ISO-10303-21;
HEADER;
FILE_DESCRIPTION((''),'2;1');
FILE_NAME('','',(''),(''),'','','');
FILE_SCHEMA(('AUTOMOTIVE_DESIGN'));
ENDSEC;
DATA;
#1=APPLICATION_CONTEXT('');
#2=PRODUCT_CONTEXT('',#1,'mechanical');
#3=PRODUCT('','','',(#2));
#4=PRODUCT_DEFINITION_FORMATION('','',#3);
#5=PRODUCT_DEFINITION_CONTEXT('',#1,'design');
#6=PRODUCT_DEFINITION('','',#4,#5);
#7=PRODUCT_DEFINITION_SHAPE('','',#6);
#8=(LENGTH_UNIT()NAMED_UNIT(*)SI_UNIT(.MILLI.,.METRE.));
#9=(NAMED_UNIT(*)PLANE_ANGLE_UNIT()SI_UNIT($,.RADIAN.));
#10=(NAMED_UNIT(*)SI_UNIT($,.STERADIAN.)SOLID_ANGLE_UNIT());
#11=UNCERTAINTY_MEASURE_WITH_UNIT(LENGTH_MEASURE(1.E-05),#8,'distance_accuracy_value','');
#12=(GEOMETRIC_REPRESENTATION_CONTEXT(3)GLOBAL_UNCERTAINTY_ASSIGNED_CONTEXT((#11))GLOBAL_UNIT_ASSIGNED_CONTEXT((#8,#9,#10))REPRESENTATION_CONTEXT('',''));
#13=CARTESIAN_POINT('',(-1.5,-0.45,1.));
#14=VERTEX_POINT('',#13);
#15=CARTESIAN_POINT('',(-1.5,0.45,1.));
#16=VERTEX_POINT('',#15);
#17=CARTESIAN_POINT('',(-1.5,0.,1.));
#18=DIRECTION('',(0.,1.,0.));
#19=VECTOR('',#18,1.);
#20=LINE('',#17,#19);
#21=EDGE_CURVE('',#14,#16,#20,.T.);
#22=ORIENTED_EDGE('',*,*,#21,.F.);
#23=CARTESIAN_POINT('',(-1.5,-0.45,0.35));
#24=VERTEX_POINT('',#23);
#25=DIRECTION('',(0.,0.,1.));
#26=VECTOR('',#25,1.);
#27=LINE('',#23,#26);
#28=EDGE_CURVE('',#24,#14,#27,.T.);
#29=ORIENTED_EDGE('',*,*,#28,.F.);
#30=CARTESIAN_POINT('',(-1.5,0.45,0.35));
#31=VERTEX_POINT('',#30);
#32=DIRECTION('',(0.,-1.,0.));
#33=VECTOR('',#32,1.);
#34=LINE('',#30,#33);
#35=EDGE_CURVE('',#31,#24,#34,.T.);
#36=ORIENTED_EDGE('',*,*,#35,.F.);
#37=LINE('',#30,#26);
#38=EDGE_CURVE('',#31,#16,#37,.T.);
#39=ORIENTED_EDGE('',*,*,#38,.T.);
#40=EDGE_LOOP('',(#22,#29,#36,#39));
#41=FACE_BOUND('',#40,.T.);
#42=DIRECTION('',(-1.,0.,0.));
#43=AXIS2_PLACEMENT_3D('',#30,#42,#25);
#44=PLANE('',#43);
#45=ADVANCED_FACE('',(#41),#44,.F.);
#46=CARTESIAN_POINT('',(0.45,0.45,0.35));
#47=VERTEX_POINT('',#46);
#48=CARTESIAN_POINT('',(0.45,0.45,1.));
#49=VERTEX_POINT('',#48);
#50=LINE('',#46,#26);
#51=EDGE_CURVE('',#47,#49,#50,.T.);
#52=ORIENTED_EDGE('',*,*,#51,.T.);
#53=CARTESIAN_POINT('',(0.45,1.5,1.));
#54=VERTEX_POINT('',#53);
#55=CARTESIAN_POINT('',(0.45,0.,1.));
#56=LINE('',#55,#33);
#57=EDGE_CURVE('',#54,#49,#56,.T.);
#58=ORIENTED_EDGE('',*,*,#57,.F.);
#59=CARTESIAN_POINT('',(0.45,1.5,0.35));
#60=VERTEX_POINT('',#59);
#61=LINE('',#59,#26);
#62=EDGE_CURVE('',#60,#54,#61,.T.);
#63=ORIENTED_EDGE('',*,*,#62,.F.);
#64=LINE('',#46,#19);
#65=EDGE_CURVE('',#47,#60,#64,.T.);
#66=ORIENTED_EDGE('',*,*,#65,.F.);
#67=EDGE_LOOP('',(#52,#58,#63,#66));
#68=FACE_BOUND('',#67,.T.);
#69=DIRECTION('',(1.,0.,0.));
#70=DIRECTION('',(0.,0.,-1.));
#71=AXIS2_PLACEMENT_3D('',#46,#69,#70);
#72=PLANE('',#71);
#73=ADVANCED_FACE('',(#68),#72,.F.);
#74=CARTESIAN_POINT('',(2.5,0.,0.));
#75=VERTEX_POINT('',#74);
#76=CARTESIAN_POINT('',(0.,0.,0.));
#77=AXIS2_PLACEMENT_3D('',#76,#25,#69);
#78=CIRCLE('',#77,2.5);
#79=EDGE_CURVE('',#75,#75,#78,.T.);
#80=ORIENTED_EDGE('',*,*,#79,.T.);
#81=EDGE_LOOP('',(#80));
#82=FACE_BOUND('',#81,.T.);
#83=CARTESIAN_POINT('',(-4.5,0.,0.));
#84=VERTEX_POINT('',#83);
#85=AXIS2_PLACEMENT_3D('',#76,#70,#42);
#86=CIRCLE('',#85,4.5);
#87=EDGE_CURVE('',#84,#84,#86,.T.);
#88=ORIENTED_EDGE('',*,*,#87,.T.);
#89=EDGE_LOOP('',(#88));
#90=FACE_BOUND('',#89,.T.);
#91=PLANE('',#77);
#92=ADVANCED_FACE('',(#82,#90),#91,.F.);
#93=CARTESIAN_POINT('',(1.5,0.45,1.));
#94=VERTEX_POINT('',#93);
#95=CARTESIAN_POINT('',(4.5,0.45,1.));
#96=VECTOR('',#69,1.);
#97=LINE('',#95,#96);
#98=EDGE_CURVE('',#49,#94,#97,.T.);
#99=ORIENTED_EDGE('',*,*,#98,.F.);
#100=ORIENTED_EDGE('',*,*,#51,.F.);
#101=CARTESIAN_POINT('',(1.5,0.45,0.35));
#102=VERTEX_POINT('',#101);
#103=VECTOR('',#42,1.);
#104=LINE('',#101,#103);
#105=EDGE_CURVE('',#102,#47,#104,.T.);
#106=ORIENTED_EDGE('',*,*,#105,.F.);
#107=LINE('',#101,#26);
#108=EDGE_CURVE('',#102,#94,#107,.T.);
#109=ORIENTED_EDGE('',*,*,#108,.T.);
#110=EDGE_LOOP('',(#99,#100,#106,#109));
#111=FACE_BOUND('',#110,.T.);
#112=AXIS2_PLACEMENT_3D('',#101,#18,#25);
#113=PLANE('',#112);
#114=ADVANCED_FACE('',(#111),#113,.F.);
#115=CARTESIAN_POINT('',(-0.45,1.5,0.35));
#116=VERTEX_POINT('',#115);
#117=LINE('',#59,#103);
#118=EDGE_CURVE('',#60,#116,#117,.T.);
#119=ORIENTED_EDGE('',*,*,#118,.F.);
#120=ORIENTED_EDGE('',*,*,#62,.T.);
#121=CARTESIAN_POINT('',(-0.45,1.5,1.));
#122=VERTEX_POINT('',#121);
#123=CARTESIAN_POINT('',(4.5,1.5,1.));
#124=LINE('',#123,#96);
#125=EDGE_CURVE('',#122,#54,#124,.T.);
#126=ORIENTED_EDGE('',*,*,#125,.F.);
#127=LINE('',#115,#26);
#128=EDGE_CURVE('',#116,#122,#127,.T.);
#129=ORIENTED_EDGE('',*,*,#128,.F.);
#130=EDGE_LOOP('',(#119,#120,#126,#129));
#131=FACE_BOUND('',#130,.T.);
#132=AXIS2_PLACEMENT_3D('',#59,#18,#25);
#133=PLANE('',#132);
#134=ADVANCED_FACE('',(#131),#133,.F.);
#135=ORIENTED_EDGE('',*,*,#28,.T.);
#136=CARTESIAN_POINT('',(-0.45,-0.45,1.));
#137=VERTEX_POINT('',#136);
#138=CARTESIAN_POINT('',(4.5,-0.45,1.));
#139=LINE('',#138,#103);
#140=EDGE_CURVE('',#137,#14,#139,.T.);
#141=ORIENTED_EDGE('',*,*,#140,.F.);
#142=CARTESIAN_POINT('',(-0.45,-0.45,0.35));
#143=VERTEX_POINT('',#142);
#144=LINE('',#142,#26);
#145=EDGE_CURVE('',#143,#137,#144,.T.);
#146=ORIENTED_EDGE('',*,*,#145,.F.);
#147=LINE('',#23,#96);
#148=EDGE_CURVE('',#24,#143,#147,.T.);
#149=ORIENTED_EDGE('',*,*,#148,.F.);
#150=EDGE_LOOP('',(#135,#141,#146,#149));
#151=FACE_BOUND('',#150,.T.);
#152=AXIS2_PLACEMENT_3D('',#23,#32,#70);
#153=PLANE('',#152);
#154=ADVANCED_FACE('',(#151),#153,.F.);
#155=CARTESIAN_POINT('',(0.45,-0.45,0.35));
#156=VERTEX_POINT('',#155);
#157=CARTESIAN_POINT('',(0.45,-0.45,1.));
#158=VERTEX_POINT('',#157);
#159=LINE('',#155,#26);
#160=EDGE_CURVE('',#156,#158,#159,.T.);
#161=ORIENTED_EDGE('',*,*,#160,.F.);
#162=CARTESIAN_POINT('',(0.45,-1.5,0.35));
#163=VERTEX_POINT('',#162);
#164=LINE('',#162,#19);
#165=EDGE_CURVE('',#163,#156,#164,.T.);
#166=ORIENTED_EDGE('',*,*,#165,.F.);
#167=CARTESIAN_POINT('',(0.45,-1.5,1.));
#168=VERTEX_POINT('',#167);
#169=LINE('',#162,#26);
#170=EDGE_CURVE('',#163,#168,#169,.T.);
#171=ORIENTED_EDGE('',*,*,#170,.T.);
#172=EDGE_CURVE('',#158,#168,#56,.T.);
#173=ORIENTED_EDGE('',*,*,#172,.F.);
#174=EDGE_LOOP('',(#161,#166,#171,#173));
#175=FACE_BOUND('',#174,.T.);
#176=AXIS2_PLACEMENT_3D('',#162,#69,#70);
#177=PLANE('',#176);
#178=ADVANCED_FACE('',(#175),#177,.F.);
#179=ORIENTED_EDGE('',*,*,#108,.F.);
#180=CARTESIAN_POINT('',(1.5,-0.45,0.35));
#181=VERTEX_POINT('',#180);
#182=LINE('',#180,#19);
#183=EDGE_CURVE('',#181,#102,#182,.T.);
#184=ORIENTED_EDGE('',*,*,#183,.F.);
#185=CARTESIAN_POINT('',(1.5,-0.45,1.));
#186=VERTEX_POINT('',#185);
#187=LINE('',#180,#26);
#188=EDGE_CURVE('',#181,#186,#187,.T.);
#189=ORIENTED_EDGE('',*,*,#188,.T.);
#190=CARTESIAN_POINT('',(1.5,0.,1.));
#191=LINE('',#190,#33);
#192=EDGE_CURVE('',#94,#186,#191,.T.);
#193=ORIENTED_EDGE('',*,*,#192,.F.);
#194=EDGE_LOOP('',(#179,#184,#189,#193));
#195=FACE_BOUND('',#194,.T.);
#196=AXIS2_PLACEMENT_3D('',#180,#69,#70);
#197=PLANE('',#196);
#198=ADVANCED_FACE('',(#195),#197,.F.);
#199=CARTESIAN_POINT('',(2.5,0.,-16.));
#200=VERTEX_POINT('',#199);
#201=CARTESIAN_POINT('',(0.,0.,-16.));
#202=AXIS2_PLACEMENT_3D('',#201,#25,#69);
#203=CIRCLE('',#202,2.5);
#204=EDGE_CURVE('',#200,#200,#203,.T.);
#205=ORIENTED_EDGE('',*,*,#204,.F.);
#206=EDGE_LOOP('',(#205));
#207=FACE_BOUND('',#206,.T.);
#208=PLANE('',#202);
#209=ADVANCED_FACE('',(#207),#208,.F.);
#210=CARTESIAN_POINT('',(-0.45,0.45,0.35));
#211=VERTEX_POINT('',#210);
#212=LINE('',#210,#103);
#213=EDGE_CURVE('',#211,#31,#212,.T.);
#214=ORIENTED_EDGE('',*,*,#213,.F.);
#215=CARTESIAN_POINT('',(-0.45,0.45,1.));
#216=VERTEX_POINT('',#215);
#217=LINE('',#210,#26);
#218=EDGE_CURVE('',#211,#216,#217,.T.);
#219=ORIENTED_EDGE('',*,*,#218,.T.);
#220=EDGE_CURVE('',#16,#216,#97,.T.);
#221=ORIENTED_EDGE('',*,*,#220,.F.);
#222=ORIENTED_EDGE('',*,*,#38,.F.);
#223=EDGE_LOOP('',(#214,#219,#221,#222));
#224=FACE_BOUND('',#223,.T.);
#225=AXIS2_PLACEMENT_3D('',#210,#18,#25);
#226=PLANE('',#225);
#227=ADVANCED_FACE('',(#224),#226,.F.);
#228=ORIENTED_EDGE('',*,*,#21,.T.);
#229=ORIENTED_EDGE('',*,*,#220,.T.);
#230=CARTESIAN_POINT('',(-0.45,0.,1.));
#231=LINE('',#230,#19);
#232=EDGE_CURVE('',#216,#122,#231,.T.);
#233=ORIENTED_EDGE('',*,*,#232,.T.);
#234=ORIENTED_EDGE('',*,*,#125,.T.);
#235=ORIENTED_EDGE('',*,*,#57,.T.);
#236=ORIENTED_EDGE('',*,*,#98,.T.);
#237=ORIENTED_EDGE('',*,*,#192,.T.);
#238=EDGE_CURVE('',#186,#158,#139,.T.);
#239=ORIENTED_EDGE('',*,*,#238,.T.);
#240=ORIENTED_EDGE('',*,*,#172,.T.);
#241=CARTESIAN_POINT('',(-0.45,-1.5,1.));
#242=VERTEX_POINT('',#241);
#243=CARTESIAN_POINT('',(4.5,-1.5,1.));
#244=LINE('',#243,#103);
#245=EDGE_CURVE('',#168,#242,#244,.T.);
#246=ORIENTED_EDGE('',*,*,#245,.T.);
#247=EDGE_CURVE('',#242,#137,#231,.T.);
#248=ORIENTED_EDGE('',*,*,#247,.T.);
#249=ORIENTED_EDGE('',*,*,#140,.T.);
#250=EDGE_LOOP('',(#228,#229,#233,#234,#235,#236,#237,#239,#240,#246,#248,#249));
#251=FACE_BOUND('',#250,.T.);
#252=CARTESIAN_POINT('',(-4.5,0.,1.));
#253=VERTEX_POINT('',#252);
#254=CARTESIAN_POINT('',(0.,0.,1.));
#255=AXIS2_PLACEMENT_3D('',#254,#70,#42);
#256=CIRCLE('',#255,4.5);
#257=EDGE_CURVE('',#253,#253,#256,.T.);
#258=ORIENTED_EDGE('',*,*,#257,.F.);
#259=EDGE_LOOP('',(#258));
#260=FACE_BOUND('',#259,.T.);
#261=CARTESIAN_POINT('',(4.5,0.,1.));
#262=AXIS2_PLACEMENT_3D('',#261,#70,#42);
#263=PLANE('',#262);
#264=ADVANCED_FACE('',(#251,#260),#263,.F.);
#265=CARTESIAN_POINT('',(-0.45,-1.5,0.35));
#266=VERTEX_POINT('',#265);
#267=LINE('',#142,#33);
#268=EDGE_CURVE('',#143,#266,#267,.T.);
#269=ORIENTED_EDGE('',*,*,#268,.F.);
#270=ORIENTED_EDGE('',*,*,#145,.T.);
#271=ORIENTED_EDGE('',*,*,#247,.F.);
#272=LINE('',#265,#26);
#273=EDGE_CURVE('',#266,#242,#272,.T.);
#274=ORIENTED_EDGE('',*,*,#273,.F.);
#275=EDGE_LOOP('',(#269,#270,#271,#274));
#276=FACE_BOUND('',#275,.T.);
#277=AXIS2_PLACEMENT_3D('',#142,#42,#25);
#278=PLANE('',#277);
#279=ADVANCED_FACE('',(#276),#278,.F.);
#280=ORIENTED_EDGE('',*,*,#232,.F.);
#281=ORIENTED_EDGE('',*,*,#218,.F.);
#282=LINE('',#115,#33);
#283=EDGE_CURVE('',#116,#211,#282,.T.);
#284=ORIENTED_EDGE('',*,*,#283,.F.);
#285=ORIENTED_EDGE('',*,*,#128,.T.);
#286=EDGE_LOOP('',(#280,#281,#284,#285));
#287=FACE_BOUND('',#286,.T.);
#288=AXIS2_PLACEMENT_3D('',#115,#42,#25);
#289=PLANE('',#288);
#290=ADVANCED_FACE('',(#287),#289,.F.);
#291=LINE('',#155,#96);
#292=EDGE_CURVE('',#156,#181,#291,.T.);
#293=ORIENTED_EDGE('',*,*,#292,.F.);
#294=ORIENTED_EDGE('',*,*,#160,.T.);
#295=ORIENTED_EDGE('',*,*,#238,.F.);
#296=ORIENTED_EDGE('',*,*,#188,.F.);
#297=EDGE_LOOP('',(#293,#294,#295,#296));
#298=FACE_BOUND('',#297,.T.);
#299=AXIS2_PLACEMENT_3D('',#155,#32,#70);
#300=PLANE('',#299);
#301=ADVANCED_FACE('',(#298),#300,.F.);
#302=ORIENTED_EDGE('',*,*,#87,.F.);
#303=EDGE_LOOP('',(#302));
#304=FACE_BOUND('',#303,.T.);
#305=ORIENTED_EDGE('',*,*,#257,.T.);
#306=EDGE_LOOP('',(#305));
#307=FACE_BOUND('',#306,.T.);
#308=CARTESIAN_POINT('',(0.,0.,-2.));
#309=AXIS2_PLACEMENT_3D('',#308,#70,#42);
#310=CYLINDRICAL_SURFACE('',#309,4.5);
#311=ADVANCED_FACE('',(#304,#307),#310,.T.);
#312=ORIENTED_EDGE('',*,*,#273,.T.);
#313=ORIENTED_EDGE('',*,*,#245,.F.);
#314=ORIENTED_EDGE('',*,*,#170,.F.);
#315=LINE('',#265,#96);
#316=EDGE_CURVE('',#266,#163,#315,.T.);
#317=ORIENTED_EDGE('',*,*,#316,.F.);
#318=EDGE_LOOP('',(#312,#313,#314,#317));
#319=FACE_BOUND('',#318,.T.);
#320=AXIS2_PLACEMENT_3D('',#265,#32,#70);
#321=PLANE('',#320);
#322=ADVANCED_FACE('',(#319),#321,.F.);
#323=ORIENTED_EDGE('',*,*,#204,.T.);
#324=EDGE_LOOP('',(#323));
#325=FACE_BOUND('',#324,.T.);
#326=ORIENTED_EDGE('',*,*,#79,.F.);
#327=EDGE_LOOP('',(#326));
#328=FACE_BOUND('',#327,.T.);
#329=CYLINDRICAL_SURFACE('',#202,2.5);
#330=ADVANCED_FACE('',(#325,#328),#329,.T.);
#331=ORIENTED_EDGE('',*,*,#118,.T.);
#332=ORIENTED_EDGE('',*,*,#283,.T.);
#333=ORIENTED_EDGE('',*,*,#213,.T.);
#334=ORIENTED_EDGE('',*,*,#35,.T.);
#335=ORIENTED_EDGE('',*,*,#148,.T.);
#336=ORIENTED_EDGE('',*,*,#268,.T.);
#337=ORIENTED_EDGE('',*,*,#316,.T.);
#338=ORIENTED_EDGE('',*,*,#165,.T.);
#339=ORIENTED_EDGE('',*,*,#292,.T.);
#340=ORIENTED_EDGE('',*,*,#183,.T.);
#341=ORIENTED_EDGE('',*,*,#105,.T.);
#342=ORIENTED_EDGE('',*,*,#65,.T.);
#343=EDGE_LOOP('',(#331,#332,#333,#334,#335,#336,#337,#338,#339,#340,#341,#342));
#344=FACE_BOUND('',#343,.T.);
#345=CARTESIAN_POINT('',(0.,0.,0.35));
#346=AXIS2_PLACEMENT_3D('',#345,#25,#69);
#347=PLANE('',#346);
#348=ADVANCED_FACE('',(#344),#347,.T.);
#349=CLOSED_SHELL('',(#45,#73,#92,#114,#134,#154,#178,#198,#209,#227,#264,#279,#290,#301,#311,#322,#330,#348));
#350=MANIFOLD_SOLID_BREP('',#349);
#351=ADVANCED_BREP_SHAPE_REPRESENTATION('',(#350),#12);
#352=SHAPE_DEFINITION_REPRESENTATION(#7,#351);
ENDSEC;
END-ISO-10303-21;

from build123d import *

# Parameters (mm, degrees)
SKETCH_1_R        = 2.5
EXTRUDE_198_DEPTH = 16
SKETCH_6_W        = 4.5
SKETCH_6_H        = 1
PH2_START         = 1.01
PH2_DEPTH         = 0.66


with BuildPart() as part:
    # 草图1 → Extrude 198 (new body)
    with BuildSketch(Plane.XY):
        Circle(SKETCH_1_R)
    extrude(amount=-EXTRUDE_198_DEPTH)

    # 草图6 → Revolve 324 (revolve)
    with BuildSketch(Plane(origin=(0, 0, 0), x_dir=(1, 0, 0), z_dir=(0, 1, 0)), mode=Mode.PRIVATE) as revolve_324_sk:
        with Locations((2.25, -0.5)):
            Rectangle(SKETCH_6_W, SKETCH_6_H)
    revolve(revolve_324_sk.sketch.rotate(Axis((0, 0, -2), (0, 0, 1)), 180), axis=Axis((0, 0, -2), (0, 0, 1)))

    # 草图7 → 十字槽_PH2_简化 (cut)
    with BuildSketch(Plane.XY.offset(PH2_START)):
        Polygon((-0.45, -1.5), (0.45, -1.5), (0.45, -0.45), (1.5, -0.45), (1.5, 0.45), (0.45, 0.45), (0.45, 1.5), (-0.45, 1.5), (-0.45, 0.45), (-1.5, 0.45), (-1.5, -0.45), (-0.45, -0.45), align=None)
    extrude(amount=-PH2_DEPTH, mode=Mode.SUBTRACT)


solid = part.part
